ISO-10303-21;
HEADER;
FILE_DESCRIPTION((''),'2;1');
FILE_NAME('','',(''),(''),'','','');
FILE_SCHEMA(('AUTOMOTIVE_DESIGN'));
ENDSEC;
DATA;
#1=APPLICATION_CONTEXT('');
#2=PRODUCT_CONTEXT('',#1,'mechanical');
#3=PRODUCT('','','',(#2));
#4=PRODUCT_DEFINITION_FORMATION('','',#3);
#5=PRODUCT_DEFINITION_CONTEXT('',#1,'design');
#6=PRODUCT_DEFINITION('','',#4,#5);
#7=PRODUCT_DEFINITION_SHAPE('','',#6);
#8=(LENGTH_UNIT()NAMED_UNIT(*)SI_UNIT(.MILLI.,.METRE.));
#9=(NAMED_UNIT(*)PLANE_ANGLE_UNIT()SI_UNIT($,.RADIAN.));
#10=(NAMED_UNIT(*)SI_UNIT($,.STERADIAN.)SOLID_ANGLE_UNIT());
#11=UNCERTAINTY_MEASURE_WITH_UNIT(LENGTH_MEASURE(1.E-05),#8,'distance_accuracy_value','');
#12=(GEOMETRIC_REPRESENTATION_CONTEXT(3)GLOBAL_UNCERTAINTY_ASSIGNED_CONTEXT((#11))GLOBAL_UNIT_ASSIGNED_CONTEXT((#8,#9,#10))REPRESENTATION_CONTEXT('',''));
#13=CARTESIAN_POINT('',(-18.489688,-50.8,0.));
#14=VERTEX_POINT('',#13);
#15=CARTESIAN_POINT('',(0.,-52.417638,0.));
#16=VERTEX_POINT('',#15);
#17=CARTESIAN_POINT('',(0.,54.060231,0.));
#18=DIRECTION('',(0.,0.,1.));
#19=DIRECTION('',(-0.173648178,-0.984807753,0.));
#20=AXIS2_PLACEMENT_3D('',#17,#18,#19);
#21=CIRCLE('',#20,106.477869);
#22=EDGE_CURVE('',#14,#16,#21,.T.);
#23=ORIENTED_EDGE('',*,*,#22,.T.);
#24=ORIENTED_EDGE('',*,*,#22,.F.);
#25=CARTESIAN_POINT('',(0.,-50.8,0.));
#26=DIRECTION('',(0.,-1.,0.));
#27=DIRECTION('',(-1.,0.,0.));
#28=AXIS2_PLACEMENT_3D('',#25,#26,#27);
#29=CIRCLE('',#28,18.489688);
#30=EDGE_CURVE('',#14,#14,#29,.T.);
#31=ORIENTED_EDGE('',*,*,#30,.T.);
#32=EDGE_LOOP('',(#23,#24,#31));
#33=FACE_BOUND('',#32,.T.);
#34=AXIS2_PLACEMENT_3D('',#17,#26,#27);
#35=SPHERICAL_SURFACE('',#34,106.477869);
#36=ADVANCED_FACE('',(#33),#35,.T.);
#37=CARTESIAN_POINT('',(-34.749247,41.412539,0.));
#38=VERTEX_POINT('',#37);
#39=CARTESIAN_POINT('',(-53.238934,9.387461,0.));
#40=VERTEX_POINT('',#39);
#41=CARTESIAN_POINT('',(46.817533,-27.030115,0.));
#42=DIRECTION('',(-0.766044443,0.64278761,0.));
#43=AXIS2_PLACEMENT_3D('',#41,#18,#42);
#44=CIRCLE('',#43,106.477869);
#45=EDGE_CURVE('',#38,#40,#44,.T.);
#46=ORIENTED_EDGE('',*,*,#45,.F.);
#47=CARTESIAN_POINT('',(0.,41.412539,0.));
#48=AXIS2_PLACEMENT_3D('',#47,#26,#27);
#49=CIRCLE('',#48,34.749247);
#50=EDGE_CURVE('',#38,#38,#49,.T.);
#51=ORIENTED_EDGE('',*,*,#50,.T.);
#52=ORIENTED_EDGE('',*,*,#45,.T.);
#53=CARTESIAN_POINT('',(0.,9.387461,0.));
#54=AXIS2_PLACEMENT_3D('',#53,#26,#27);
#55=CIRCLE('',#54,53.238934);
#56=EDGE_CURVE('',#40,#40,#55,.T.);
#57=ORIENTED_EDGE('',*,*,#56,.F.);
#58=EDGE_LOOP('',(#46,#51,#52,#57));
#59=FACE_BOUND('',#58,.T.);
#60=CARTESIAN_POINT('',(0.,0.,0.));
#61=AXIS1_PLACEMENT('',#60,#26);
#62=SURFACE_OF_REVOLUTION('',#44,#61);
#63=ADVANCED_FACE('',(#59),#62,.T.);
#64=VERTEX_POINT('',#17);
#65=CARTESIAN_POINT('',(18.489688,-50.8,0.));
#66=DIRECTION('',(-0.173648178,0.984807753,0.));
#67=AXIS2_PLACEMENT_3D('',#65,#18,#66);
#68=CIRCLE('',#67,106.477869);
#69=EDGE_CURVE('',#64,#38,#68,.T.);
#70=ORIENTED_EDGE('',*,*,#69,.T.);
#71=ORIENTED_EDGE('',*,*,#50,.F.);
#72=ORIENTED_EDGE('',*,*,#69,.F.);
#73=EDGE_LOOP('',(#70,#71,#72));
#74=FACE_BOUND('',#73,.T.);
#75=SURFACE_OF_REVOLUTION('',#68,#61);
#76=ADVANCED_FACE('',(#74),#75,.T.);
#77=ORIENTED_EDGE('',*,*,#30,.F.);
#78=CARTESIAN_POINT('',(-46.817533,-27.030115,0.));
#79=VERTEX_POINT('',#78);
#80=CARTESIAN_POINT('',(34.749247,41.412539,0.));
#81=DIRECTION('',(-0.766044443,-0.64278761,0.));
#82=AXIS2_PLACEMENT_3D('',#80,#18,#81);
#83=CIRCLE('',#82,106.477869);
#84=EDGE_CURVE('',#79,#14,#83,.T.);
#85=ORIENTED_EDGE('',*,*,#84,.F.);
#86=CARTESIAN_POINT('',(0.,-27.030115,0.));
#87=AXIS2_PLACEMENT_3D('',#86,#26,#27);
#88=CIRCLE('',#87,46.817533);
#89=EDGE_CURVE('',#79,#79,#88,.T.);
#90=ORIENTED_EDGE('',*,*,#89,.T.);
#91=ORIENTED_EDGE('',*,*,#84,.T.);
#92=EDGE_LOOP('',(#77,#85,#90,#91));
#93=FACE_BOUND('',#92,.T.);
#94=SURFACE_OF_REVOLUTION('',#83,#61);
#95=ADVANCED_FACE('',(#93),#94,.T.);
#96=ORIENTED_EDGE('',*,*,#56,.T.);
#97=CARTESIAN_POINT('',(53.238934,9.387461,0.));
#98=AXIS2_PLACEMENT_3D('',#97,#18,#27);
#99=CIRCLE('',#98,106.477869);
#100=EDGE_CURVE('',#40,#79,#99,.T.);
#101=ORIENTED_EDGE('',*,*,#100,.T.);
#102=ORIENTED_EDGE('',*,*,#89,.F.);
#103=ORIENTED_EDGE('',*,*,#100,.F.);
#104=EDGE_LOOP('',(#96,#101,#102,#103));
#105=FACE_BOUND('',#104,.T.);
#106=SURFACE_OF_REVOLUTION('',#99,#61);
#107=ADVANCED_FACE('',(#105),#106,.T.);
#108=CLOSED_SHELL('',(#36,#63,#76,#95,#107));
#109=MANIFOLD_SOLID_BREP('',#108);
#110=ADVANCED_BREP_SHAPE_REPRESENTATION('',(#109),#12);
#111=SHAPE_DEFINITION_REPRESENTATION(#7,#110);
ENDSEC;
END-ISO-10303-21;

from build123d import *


with BuildPart() as f1:
    # F0 (on Top) → F1 (revolve)
    with BuildSketch(Plane.XY):
        Polygon((0, -50.8), (0, 54.0602308418), (-34.7492465619, 41.4125394301), (-53.2389344626, 9.3874605699), (-46.8175332434, -27.0301154209), (-18.4896879007, -50.8), align=None)
        with BuildLine():
            Line((-46.8175332434, -27.0301154209), (-53.2389344626, 9.3874605699))
            ThreePointArc((-53.2389344626, 9.3874605699), (-51.6212963792, -9.1022273308), (-46.8175332434, -27.0301154209))
        make_face()
        with BuildLine():
            Line((-34.7492465619, 41.4125394301), (0, 54.0602308418))
            ThreePointArc((0, 54.0602308418), (-17.9278880901, 49.256467706), (-34.7492465619, 41.4125394301))
        make_face()
        with BuildLine():
            Line((-53.2389344626, 9.3874605699), (-34.7492465619, 41.4125394301))
            ThreePointArc((-34.7492465619, 41.4125394301), (-45.3950061866, 26.2088190417), (-53.2389344626, 9.3874605699))
        make_face()
        with BuildLine():
            ThreePointArc((-46.8175332434, -27.0301154209), (-33.6934082891, -40.1542403752), (-18.4896879007, -50.8))
            Line((-18.4896879007, -50.8), (-46.8175332434, -27.0301154209))
        make_face()
        with BuildLine():
            Line((0, -52.4176380834), (0, -50.8))
            Line((0, -50.8), (-18.4896879007, -50.8))
            ThreePointArc((-18.4896879007, -50.8), (-9.2801577524, -52.0124576456), (0, -52.4176380834))
        make_face()
    revolve(axis=Axis((0, 0, 0), (0, -1, 0)))


solid = f1.part
